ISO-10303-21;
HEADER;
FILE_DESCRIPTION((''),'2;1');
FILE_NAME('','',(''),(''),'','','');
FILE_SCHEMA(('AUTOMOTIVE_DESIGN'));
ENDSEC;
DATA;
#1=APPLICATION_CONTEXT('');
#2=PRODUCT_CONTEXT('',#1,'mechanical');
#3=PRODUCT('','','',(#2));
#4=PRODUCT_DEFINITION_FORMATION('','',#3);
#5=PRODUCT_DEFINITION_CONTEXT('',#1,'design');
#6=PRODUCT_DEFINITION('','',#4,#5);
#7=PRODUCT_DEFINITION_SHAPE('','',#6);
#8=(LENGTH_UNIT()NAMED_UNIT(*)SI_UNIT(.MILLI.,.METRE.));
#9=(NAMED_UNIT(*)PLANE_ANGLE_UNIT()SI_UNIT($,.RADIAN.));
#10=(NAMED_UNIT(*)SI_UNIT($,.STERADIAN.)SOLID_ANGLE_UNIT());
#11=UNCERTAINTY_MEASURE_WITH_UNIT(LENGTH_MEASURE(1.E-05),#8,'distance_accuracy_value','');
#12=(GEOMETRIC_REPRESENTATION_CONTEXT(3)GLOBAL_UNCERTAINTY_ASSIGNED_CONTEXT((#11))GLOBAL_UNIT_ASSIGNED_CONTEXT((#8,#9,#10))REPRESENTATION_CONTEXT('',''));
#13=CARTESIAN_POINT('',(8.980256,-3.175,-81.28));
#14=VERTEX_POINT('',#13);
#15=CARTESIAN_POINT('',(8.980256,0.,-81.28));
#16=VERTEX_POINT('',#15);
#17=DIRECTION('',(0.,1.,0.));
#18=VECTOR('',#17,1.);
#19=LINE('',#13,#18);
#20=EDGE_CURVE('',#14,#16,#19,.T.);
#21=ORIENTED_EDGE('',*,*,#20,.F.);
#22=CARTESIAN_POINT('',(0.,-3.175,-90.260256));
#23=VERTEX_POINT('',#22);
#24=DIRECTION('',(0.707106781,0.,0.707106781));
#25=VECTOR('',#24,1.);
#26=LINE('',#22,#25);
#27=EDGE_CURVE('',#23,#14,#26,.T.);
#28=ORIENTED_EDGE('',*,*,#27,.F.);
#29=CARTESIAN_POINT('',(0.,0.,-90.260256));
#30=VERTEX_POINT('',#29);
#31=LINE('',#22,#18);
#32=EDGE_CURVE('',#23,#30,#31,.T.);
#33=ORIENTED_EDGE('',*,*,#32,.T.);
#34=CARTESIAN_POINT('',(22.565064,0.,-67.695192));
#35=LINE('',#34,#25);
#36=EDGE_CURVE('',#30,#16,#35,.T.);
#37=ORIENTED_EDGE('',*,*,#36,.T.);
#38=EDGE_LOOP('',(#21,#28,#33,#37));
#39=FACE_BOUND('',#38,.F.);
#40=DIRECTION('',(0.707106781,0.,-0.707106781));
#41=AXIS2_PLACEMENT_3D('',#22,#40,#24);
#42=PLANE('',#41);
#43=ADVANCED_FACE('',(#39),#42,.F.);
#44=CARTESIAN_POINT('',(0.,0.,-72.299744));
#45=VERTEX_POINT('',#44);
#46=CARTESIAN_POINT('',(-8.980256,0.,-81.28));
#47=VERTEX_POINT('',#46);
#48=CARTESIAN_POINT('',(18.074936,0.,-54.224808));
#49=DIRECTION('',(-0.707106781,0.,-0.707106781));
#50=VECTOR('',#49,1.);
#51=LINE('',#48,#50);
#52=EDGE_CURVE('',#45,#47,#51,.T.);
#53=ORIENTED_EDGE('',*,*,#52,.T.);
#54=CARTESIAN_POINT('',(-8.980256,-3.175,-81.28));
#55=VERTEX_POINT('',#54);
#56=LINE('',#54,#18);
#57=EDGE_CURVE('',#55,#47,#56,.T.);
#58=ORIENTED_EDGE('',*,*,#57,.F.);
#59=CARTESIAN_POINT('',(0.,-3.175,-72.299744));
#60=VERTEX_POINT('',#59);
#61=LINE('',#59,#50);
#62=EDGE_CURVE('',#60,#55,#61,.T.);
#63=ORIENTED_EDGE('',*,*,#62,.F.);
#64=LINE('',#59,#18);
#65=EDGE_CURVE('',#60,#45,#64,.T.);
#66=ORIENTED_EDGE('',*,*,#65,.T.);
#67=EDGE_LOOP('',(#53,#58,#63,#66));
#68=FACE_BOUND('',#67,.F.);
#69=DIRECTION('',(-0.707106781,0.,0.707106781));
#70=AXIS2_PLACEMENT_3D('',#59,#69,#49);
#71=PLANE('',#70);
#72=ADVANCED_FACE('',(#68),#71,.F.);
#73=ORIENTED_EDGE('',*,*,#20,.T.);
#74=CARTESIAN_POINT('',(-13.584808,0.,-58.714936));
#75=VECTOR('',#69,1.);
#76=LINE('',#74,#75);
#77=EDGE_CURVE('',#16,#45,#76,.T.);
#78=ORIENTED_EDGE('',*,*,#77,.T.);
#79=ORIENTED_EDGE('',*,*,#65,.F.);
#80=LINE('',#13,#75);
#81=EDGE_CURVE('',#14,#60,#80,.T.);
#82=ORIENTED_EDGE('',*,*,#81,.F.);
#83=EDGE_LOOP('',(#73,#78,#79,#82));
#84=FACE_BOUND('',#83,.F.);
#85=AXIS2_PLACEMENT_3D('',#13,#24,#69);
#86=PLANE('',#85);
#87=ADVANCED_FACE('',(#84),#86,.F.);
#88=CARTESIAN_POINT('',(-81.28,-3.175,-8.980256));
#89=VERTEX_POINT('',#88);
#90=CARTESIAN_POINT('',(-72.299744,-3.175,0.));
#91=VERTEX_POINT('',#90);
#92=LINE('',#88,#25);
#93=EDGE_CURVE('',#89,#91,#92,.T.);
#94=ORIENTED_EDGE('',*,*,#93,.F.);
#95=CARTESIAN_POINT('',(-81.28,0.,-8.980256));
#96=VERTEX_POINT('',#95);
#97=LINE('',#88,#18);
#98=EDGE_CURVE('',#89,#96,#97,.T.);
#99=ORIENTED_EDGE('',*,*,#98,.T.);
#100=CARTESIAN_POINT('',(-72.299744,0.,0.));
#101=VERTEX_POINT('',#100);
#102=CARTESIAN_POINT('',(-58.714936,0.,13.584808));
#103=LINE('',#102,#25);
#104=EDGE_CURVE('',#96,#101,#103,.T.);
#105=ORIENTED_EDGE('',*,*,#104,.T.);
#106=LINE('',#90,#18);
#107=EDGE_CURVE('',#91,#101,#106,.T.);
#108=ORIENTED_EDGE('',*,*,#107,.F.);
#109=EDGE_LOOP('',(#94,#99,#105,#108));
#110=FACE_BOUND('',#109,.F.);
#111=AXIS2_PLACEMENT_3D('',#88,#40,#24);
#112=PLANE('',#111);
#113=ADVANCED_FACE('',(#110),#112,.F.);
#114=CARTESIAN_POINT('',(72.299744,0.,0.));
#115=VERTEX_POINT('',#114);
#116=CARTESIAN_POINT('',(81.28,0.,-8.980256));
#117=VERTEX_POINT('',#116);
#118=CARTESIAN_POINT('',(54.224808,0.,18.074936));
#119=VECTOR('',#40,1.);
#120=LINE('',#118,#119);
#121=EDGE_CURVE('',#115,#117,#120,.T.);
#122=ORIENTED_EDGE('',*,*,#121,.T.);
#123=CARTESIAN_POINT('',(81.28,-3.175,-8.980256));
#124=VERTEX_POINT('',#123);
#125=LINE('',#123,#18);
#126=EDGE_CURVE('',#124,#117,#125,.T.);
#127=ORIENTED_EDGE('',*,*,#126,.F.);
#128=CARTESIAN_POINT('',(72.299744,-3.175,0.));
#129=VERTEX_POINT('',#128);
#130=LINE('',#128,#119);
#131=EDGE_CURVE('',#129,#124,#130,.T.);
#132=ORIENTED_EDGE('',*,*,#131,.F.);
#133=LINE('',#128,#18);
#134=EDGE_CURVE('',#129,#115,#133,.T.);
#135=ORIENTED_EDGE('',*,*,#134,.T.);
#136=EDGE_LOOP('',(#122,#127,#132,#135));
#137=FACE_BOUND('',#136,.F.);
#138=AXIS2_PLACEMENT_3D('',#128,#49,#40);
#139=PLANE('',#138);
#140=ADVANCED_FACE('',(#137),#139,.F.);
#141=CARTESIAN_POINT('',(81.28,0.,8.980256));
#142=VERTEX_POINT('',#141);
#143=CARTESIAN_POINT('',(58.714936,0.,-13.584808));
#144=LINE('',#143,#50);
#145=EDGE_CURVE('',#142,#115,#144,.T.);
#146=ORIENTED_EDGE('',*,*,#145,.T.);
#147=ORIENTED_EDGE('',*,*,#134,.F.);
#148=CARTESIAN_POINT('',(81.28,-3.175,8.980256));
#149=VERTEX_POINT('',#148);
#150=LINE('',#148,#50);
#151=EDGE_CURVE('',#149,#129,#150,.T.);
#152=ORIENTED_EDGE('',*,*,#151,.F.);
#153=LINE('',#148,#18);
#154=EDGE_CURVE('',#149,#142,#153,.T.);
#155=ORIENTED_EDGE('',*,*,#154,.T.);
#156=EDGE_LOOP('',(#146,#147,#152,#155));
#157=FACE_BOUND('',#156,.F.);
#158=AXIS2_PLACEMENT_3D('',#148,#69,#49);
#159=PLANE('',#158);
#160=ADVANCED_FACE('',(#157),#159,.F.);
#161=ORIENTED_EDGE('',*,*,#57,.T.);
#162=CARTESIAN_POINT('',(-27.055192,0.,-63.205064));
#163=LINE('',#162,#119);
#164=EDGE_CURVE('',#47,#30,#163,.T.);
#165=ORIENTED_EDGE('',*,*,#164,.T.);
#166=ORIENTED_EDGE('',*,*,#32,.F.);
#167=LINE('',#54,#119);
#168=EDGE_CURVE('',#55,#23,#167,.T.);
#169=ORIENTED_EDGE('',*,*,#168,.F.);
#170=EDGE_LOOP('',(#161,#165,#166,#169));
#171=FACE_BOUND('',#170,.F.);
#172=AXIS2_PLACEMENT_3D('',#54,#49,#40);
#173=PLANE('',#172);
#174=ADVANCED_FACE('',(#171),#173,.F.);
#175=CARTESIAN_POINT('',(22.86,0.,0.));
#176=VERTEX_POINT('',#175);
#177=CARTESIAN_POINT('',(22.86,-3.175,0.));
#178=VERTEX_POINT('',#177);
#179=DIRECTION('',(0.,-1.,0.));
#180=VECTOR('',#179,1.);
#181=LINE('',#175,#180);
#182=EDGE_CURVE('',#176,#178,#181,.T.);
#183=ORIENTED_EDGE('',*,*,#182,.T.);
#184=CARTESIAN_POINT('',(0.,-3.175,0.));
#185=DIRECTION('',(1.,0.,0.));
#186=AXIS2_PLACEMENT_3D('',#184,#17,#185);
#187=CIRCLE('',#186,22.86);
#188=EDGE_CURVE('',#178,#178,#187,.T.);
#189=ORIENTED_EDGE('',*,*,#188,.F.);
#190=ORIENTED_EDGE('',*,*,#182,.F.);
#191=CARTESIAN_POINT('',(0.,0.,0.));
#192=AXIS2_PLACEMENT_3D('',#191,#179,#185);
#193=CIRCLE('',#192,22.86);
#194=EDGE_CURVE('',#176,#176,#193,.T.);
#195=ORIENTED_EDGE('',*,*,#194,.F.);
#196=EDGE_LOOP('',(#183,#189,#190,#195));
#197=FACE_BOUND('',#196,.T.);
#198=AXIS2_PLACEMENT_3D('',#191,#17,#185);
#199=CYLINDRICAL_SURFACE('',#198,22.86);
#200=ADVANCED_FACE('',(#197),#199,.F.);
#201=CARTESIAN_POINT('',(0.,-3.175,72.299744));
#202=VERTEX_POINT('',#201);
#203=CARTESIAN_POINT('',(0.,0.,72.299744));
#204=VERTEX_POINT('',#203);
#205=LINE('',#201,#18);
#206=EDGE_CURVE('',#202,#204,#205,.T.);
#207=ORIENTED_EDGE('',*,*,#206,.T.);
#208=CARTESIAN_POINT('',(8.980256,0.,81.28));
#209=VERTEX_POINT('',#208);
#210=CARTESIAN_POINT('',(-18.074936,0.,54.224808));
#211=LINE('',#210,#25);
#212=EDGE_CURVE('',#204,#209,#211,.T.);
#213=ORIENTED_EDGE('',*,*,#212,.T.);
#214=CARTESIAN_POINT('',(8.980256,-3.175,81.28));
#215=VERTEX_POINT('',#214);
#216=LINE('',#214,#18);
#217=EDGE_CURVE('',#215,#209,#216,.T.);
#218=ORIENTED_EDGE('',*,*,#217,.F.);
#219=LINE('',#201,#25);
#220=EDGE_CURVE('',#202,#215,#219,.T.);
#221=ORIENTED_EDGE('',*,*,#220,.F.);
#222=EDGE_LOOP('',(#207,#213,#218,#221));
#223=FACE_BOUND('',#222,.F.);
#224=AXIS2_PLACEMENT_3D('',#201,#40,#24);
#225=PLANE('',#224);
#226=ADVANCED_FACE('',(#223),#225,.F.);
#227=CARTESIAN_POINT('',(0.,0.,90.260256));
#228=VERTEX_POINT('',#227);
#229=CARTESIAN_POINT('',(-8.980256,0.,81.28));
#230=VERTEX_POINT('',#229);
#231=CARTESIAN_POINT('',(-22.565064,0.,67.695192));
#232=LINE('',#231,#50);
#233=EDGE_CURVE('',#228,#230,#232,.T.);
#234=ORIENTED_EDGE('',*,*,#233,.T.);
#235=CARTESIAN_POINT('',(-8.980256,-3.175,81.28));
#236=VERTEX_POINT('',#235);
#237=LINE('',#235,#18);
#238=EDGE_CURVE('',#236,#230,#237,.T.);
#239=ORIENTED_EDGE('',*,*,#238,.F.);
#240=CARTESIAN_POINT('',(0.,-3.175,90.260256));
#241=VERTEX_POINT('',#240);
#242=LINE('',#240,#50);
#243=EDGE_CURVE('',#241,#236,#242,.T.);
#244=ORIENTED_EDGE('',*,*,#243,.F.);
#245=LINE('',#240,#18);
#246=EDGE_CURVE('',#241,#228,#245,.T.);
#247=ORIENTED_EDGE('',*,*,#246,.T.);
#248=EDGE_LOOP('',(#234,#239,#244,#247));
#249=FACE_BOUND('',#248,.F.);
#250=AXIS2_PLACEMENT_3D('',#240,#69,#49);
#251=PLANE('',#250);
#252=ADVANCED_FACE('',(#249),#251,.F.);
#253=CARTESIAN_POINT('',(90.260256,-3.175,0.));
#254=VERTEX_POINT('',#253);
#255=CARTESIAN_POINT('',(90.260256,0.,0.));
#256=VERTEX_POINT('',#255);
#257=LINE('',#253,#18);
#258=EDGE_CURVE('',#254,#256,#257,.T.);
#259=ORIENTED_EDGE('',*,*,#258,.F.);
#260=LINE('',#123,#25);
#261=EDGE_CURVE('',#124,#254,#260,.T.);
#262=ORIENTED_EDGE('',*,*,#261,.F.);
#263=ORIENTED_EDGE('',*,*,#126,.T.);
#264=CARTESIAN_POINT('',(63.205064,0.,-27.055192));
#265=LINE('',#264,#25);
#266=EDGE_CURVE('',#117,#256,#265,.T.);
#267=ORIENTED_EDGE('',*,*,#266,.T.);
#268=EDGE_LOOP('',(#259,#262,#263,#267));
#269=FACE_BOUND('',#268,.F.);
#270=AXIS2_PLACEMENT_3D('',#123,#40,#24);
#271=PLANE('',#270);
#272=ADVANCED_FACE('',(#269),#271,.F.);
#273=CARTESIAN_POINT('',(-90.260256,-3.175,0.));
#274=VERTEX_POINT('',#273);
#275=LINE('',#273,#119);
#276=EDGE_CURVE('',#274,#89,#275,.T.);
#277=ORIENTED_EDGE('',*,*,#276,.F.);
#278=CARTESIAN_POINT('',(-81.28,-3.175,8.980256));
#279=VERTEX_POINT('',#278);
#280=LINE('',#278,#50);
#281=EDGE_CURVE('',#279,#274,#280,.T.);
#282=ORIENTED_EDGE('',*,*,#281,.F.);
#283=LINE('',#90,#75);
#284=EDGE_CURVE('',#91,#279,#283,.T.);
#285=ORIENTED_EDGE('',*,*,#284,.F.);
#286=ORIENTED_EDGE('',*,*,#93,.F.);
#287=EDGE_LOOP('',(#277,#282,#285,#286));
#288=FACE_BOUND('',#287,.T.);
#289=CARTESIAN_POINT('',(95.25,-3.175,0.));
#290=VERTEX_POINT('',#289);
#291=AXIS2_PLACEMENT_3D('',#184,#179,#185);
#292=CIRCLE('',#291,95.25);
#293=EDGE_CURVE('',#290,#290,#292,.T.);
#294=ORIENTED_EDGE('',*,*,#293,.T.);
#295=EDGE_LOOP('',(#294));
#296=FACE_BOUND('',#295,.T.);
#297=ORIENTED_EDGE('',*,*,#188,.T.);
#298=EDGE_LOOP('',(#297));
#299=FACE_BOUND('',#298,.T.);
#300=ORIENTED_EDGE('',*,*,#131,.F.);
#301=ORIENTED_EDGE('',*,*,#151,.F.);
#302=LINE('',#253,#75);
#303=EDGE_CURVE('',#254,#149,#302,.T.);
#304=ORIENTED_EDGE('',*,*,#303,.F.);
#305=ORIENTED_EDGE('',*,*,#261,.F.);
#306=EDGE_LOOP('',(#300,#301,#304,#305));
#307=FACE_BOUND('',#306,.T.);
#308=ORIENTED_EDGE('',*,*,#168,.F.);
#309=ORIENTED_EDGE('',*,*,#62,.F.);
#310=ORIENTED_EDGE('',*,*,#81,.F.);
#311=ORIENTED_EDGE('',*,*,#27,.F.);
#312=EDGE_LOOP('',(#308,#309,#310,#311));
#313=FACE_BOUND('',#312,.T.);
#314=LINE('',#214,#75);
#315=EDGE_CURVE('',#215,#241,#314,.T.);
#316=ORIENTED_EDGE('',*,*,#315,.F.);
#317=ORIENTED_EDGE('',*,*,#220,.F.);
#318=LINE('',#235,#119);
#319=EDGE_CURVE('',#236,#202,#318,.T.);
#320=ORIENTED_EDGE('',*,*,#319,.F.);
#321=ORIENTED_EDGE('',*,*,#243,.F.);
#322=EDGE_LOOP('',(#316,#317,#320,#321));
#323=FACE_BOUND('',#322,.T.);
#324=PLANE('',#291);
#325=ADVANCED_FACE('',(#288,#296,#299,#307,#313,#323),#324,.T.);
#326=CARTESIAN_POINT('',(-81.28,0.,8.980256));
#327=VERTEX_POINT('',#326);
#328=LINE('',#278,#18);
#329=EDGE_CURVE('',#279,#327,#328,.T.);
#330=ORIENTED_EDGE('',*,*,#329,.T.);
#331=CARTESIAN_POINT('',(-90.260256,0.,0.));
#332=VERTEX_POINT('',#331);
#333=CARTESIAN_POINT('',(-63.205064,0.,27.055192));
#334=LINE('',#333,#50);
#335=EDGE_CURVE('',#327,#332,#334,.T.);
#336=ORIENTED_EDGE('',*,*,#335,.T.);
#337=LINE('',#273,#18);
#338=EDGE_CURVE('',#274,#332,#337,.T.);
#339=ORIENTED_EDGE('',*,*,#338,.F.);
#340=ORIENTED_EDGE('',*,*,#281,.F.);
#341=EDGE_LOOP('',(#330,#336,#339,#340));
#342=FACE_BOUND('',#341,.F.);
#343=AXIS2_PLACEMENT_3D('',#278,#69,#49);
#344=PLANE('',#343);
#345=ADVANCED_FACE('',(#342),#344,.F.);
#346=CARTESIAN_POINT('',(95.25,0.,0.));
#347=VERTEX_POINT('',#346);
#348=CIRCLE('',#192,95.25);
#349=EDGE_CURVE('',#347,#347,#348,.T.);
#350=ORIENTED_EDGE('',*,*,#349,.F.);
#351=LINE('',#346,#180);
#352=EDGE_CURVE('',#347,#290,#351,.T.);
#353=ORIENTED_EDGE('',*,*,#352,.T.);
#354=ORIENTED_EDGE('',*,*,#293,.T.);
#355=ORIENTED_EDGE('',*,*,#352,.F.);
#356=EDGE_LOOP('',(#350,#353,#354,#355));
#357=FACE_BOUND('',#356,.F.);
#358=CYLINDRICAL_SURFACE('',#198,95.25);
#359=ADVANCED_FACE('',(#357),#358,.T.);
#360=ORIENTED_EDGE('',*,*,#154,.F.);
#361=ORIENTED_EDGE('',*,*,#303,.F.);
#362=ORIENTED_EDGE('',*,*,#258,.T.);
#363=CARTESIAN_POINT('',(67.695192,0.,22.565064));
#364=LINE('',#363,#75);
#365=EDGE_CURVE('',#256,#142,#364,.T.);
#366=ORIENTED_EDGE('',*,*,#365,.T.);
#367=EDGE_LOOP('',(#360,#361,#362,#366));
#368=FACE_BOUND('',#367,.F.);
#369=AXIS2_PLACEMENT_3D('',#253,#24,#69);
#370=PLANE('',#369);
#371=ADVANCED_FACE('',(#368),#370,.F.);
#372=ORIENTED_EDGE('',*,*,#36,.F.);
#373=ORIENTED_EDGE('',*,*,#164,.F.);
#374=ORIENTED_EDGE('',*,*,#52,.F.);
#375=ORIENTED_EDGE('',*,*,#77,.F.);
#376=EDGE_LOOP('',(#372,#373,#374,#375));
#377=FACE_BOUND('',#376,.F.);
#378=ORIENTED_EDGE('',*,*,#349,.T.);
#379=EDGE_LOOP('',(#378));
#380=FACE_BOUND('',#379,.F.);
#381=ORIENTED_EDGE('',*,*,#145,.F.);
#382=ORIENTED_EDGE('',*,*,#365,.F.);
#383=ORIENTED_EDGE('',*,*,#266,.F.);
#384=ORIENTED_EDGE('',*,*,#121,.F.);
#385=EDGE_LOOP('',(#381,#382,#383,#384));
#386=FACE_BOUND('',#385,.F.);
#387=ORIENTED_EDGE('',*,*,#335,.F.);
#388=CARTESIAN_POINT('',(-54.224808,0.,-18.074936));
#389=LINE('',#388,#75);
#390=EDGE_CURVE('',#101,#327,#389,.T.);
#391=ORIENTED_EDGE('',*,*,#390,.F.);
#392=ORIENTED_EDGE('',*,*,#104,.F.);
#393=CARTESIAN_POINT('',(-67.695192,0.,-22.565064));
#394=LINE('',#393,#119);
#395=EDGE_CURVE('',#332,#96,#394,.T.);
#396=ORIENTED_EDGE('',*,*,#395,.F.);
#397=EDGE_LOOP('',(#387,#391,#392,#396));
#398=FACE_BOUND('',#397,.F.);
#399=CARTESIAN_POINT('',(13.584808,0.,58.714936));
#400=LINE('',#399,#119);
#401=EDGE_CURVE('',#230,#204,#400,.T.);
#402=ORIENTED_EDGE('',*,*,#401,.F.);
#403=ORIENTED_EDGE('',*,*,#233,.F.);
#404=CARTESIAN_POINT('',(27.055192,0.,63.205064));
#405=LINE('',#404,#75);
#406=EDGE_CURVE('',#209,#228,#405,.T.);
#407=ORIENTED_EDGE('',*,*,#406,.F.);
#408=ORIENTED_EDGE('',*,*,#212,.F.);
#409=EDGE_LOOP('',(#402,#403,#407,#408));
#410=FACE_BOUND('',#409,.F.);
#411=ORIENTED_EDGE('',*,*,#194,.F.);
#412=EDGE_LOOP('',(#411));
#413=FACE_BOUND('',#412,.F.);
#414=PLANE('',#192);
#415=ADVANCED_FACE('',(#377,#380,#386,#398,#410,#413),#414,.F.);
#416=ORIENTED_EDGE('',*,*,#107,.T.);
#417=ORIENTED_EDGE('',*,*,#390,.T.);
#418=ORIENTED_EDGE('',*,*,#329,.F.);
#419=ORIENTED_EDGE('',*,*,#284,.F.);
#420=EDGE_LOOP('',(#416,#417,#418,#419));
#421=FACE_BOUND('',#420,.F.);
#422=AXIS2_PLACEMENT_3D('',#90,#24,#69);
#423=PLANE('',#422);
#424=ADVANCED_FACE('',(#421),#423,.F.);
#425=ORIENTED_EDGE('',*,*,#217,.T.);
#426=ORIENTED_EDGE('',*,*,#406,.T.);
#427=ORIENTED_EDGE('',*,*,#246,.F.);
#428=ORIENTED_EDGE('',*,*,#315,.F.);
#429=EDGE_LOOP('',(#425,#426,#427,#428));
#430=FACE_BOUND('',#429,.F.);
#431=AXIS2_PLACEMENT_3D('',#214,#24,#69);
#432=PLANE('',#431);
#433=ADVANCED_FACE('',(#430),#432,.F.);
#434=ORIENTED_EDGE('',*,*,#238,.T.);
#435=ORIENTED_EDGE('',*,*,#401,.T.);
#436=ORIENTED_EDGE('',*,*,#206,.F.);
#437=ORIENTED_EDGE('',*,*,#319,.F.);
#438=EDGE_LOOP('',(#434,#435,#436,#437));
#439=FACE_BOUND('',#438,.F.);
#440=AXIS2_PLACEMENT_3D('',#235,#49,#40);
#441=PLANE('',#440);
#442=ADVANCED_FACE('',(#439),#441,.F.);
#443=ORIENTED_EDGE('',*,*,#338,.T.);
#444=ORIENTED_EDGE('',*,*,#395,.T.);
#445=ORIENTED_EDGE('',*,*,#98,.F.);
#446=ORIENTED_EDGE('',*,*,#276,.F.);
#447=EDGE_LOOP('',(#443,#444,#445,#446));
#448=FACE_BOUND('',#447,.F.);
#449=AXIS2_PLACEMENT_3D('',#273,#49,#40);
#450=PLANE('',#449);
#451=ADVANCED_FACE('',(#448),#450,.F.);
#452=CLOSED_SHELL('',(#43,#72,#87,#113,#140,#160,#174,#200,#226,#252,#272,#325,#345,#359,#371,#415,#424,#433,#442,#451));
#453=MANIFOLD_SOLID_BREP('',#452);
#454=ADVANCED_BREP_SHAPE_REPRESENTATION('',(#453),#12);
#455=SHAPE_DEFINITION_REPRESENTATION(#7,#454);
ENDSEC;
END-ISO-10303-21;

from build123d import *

# Parameters (mm, degrees)
F0_R     = 95.25
F2_DEPTH = 3.175
F1_R     = 22.86
F3_DEPTH = 25.4
F5_DEPTH = 25.4


with BuildPart() as f2:
    # F0 (on Front) → F2 (new body)
    with BuildSketch(Plane.XZ):
        Circle(F0_R)
    extrude(amount=F2_DEPTH)

    # F1 (on face) → F3 (cut)
    with BuildSketch(Plane.XZ):
        Circle(F1_R)
    extrude(amount=F3_DEPTH, mode=Mode.SUBTRACT)

    # F4 (on face) → F5 (cut)
    with BuildSketch(Plane.XZ.offset(3.175)):
        Polygon((-81.28, -8.980256), (-72.299744, 0), (-81.28, 8.980256), (-90.260256, 0), align=None)
        Polygon((0, -90.260256), (8.980256, -81.28), (0, -72.299744), (-8.980256, -81.28), align=None)
        Polygon((90.260256, 0), (81.28, 8.980256), (72.299744, 0), (81.28, -8.980256), align=None)
        Polygon((0, 90.260256), (-8.980256, 81.28), (0, 72.299744), (8.980256, 81.28), align=None)
    extrude(amount=-F5_DEPTH, mode=Mode.SUBTRACT)


solid = f2.part
